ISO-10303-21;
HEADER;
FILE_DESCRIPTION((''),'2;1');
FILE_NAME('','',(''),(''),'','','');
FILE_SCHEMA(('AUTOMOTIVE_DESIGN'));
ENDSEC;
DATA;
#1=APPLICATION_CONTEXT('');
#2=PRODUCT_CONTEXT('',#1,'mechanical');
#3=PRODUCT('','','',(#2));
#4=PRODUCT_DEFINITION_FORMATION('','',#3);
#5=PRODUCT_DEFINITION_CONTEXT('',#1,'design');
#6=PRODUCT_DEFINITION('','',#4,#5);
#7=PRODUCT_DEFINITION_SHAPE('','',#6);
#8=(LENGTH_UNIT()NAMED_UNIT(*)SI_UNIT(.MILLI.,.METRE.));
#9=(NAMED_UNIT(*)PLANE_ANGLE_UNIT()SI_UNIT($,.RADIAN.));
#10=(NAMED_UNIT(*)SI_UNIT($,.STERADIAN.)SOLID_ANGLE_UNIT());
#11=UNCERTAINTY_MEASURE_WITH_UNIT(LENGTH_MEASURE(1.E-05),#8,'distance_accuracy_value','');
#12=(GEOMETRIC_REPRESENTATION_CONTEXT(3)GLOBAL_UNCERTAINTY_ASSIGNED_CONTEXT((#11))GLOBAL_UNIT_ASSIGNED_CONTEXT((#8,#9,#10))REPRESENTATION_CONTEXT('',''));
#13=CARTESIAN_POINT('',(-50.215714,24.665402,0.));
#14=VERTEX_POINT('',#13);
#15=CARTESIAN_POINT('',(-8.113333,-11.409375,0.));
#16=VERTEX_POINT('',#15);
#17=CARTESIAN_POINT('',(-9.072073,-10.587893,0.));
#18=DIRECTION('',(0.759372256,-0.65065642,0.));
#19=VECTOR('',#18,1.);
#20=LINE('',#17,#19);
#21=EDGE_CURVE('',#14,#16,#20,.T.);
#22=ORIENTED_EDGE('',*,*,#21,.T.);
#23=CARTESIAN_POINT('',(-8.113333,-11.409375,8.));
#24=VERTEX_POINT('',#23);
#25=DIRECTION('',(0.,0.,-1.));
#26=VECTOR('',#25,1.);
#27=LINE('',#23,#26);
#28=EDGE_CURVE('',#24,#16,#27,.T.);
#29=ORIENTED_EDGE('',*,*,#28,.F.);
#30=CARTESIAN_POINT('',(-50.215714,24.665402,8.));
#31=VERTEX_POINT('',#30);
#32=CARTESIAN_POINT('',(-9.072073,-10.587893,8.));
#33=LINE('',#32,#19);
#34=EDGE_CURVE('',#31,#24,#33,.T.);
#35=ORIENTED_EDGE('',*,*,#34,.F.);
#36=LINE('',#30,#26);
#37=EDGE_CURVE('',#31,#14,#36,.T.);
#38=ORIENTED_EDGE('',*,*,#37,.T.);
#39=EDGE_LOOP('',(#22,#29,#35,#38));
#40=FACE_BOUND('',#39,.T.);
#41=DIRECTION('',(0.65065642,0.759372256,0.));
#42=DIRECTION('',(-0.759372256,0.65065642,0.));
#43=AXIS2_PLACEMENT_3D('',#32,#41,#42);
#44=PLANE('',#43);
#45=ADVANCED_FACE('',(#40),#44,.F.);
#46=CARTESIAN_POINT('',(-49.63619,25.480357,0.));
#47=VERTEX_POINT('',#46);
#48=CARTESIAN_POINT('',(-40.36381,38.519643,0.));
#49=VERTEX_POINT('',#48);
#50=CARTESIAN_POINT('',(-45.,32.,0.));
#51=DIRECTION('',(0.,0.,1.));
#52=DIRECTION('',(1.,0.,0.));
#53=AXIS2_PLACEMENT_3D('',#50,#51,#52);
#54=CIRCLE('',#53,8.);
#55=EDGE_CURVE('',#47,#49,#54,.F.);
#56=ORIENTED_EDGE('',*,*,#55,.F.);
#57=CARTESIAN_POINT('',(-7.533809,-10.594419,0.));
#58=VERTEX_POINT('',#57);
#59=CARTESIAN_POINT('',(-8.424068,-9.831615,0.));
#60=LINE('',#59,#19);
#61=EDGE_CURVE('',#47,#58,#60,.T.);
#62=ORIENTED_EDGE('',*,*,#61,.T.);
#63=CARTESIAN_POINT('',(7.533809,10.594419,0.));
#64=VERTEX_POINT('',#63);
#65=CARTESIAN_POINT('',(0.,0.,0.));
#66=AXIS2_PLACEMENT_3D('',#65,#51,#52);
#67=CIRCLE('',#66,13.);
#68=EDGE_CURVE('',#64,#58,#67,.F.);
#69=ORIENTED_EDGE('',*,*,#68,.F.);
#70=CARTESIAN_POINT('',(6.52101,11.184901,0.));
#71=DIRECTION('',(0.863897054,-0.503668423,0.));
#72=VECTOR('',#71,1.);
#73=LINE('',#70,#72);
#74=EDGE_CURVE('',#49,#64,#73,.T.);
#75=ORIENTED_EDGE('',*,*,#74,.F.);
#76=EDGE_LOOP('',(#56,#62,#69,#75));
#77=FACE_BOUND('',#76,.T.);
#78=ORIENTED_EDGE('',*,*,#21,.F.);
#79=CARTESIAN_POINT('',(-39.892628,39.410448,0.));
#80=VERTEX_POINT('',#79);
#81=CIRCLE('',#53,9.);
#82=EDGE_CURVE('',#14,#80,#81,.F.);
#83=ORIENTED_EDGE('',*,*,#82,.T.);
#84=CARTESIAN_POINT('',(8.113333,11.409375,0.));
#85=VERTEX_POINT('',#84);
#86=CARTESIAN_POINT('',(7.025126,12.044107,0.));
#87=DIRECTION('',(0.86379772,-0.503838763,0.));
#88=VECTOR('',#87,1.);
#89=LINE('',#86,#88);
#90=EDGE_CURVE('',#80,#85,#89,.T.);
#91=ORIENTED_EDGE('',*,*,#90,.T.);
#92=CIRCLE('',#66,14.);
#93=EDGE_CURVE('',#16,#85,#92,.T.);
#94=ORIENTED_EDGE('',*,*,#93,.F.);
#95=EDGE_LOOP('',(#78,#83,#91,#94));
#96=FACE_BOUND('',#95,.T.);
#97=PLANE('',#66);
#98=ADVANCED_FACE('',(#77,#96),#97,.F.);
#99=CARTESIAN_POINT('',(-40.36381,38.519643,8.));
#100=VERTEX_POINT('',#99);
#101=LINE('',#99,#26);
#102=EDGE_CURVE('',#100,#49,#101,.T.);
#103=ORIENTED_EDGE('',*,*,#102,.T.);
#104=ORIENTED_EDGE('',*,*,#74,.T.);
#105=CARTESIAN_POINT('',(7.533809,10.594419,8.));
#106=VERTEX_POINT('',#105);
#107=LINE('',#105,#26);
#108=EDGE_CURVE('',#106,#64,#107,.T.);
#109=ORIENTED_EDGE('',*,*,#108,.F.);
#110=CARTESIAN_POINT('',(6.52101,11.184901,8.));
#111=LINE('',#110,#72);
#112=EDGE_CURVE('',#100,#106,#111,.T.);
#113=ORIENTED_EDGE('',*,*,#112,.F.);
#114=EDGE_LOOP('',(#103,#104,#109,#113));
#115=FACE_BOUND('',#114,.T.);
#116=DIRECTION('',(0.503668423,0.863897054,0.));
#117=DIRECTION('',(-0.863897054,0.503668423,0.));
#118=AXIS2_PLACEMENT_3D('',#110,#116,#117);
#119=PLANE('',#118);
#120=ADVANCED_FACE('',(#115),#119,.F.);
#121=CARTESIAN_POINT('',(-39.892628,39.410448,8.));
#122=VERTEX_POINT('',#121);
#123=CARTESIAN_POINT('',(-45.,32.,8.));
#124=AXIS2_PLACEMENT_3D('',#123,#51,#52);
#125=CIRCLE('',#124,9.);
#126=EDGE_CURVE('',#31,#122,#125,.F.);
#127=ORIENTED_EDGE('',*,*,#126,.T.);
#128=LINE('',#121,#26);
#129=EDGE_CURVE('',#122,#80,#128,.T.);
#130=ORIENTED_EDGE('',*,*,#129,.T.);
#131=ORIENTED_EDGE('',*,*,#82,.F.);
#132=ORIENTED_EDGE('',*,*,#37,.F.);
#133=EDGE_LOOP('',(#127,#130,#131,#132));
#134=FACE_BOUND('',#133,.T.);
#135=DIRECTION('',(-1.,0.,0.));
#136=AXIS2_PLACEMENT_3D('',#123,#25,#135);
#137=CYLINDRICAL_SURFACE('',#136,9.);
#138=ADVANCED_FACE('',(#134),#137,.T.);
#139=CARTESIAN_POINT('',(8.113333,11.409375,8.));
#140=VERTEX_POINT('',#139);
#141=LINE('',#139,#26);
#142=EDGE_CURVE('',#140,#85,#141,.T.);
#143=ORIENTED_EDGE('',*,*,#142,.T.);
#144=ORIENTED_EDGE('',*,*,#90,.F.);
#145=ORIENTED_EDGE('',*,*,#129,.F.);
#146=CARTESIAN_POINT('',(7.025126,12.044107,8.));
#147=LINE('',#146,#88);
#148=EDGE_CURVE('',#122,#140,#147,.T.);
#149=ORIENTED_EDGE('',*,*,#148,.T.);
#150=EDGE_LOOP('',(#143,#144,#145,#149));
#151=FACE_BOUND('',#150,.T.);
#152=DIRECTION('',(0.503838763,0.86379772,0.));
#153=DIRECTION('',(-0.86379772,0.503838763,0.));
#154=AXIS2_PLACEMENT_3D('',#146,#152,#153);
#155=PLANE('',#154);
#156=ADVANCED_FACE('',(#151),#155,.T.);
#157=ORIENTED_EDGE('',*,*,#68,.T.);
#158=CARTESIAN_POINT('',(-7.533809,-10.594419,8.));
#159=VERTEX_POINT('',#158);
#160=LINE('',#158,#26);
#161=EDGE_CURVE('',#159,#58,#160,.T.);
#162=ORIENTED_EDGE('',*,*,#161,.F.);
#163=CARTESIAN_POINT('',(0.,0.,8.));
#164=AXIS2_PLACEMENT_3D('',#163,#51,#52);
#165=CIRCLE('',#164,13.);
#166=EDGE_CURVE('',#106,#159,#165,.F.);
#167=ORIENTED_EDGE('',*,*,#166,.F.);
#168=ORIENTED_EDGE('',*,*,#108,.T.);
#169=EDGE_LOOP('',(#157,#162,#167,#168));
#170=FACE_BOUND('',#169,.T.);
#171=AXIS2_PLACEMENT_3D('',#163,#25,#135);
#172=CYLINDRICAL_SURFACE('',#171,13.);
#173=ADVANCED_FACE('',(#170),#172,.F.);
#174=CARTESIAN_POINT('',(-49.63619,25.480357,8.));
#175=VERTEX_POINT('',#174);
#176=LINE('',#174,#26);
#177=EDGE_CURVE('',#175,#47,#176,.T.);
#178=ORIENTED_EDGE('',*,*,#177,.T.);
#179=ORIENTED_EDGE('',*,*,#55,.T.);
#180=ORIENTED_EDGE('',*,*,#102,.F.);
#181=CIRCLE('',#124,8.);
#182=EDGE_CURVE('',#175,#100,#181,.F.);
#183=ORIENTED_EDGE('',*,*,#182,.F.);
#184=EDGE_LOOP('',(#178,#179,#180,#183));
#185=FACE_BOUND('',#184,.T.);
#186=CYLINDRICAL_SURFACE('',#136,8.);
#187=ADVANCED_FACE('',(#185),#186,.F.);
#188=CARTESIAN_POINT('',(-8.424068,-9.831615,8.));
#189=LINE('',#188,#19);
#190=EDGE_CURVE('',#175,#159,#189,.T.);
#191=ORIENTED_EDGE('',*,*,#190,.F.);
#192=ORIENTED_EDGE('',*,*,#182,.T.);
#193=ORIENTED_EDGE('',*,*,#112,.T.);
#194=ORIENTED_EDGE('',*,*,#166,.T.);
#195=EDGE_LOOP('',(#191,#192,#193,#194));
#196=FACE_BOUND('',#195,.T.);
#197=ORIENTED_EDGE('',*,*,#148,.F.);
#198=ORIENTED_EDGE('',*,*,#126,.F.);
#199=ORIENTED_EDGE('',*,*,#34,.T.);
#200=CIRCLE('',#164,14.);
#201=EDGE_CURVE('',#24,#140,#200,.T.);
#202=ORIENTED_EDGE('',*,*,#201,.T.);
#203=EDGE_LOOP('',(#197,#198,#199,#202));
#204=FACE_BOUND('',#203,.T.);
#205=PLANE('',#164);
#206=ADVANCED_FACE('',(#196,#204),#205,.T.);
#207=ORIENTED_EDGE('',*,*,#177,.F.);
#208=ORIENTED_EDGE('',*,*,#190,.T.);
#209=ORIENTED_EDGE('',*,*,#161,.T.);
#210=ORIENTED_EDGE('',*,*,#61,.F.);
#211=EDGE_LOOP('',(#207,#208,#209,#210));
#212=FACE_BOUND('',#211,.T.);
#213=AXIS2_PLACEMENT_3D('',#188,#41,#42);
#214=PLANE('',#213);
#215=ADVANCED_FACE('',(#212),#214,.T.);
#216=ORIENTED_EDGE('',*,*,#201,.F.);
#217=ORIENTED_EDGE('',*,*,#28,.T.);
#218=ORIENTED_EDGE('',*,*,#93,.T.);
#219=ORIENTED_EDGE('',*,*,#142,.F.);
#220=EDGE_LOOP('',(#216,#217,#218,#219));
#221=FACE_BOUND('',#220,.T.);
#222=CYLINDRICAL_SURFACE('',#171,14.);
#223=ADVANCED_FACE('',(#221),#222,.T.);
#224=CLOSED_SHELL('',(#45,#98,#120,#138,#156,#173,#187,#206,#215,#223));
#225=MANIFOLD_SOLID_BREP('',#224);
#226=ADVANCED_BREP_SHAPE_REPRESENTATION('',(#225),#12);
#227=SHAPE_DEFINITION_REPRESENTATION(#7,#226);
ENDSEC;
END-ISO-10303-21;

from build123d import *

# Parameters (mm, degrees)
BOSS_EXTRU_1_DEPTH = 8


with BuildPart() as part:
    # Esquisse1 → Boss.-Extru.1 (new body)
    with BuildSketch(Plane.XY):
        with BuildLine():
            Line((8.113333009, 11.409374544), (-39.892627503, 39.410448447))
            ThreePointArc((-39.892627503, 39.410448447), (-52.372722195, 37.161682616), (-50.215714077, 24.665402079))
            Line((-50.215714077, 24.665402079), (-8.113333009, -11.409374544))
            ThreePointArc((-8.113333009, -11.409374544), (11.409374544, -8.113333009), (8.113333009, 11.409374544))
        make_face()
        with BuildLine():
            ThreePointArc((-49.636190291, 25.480357403), (-51.519642597, 36.636190291), (-40.363809709, 38.519642597))
            Line((-40.363809709, 38.519642597), (7.533809223, 10.594419219))
            ThreePointArc((7.533809223, 10.594419219), (10.594419219, -7.533809223), (-7.533809223, -10.594419219))
            Line((-7.533809223, -10.594419219), (-49.636190291, 25.480357403))
        make_face(mode=Mode.SUBTRACT)
    extrude(amount=BOSS_EXTRU_1_DEPTH)


solid = part.part
